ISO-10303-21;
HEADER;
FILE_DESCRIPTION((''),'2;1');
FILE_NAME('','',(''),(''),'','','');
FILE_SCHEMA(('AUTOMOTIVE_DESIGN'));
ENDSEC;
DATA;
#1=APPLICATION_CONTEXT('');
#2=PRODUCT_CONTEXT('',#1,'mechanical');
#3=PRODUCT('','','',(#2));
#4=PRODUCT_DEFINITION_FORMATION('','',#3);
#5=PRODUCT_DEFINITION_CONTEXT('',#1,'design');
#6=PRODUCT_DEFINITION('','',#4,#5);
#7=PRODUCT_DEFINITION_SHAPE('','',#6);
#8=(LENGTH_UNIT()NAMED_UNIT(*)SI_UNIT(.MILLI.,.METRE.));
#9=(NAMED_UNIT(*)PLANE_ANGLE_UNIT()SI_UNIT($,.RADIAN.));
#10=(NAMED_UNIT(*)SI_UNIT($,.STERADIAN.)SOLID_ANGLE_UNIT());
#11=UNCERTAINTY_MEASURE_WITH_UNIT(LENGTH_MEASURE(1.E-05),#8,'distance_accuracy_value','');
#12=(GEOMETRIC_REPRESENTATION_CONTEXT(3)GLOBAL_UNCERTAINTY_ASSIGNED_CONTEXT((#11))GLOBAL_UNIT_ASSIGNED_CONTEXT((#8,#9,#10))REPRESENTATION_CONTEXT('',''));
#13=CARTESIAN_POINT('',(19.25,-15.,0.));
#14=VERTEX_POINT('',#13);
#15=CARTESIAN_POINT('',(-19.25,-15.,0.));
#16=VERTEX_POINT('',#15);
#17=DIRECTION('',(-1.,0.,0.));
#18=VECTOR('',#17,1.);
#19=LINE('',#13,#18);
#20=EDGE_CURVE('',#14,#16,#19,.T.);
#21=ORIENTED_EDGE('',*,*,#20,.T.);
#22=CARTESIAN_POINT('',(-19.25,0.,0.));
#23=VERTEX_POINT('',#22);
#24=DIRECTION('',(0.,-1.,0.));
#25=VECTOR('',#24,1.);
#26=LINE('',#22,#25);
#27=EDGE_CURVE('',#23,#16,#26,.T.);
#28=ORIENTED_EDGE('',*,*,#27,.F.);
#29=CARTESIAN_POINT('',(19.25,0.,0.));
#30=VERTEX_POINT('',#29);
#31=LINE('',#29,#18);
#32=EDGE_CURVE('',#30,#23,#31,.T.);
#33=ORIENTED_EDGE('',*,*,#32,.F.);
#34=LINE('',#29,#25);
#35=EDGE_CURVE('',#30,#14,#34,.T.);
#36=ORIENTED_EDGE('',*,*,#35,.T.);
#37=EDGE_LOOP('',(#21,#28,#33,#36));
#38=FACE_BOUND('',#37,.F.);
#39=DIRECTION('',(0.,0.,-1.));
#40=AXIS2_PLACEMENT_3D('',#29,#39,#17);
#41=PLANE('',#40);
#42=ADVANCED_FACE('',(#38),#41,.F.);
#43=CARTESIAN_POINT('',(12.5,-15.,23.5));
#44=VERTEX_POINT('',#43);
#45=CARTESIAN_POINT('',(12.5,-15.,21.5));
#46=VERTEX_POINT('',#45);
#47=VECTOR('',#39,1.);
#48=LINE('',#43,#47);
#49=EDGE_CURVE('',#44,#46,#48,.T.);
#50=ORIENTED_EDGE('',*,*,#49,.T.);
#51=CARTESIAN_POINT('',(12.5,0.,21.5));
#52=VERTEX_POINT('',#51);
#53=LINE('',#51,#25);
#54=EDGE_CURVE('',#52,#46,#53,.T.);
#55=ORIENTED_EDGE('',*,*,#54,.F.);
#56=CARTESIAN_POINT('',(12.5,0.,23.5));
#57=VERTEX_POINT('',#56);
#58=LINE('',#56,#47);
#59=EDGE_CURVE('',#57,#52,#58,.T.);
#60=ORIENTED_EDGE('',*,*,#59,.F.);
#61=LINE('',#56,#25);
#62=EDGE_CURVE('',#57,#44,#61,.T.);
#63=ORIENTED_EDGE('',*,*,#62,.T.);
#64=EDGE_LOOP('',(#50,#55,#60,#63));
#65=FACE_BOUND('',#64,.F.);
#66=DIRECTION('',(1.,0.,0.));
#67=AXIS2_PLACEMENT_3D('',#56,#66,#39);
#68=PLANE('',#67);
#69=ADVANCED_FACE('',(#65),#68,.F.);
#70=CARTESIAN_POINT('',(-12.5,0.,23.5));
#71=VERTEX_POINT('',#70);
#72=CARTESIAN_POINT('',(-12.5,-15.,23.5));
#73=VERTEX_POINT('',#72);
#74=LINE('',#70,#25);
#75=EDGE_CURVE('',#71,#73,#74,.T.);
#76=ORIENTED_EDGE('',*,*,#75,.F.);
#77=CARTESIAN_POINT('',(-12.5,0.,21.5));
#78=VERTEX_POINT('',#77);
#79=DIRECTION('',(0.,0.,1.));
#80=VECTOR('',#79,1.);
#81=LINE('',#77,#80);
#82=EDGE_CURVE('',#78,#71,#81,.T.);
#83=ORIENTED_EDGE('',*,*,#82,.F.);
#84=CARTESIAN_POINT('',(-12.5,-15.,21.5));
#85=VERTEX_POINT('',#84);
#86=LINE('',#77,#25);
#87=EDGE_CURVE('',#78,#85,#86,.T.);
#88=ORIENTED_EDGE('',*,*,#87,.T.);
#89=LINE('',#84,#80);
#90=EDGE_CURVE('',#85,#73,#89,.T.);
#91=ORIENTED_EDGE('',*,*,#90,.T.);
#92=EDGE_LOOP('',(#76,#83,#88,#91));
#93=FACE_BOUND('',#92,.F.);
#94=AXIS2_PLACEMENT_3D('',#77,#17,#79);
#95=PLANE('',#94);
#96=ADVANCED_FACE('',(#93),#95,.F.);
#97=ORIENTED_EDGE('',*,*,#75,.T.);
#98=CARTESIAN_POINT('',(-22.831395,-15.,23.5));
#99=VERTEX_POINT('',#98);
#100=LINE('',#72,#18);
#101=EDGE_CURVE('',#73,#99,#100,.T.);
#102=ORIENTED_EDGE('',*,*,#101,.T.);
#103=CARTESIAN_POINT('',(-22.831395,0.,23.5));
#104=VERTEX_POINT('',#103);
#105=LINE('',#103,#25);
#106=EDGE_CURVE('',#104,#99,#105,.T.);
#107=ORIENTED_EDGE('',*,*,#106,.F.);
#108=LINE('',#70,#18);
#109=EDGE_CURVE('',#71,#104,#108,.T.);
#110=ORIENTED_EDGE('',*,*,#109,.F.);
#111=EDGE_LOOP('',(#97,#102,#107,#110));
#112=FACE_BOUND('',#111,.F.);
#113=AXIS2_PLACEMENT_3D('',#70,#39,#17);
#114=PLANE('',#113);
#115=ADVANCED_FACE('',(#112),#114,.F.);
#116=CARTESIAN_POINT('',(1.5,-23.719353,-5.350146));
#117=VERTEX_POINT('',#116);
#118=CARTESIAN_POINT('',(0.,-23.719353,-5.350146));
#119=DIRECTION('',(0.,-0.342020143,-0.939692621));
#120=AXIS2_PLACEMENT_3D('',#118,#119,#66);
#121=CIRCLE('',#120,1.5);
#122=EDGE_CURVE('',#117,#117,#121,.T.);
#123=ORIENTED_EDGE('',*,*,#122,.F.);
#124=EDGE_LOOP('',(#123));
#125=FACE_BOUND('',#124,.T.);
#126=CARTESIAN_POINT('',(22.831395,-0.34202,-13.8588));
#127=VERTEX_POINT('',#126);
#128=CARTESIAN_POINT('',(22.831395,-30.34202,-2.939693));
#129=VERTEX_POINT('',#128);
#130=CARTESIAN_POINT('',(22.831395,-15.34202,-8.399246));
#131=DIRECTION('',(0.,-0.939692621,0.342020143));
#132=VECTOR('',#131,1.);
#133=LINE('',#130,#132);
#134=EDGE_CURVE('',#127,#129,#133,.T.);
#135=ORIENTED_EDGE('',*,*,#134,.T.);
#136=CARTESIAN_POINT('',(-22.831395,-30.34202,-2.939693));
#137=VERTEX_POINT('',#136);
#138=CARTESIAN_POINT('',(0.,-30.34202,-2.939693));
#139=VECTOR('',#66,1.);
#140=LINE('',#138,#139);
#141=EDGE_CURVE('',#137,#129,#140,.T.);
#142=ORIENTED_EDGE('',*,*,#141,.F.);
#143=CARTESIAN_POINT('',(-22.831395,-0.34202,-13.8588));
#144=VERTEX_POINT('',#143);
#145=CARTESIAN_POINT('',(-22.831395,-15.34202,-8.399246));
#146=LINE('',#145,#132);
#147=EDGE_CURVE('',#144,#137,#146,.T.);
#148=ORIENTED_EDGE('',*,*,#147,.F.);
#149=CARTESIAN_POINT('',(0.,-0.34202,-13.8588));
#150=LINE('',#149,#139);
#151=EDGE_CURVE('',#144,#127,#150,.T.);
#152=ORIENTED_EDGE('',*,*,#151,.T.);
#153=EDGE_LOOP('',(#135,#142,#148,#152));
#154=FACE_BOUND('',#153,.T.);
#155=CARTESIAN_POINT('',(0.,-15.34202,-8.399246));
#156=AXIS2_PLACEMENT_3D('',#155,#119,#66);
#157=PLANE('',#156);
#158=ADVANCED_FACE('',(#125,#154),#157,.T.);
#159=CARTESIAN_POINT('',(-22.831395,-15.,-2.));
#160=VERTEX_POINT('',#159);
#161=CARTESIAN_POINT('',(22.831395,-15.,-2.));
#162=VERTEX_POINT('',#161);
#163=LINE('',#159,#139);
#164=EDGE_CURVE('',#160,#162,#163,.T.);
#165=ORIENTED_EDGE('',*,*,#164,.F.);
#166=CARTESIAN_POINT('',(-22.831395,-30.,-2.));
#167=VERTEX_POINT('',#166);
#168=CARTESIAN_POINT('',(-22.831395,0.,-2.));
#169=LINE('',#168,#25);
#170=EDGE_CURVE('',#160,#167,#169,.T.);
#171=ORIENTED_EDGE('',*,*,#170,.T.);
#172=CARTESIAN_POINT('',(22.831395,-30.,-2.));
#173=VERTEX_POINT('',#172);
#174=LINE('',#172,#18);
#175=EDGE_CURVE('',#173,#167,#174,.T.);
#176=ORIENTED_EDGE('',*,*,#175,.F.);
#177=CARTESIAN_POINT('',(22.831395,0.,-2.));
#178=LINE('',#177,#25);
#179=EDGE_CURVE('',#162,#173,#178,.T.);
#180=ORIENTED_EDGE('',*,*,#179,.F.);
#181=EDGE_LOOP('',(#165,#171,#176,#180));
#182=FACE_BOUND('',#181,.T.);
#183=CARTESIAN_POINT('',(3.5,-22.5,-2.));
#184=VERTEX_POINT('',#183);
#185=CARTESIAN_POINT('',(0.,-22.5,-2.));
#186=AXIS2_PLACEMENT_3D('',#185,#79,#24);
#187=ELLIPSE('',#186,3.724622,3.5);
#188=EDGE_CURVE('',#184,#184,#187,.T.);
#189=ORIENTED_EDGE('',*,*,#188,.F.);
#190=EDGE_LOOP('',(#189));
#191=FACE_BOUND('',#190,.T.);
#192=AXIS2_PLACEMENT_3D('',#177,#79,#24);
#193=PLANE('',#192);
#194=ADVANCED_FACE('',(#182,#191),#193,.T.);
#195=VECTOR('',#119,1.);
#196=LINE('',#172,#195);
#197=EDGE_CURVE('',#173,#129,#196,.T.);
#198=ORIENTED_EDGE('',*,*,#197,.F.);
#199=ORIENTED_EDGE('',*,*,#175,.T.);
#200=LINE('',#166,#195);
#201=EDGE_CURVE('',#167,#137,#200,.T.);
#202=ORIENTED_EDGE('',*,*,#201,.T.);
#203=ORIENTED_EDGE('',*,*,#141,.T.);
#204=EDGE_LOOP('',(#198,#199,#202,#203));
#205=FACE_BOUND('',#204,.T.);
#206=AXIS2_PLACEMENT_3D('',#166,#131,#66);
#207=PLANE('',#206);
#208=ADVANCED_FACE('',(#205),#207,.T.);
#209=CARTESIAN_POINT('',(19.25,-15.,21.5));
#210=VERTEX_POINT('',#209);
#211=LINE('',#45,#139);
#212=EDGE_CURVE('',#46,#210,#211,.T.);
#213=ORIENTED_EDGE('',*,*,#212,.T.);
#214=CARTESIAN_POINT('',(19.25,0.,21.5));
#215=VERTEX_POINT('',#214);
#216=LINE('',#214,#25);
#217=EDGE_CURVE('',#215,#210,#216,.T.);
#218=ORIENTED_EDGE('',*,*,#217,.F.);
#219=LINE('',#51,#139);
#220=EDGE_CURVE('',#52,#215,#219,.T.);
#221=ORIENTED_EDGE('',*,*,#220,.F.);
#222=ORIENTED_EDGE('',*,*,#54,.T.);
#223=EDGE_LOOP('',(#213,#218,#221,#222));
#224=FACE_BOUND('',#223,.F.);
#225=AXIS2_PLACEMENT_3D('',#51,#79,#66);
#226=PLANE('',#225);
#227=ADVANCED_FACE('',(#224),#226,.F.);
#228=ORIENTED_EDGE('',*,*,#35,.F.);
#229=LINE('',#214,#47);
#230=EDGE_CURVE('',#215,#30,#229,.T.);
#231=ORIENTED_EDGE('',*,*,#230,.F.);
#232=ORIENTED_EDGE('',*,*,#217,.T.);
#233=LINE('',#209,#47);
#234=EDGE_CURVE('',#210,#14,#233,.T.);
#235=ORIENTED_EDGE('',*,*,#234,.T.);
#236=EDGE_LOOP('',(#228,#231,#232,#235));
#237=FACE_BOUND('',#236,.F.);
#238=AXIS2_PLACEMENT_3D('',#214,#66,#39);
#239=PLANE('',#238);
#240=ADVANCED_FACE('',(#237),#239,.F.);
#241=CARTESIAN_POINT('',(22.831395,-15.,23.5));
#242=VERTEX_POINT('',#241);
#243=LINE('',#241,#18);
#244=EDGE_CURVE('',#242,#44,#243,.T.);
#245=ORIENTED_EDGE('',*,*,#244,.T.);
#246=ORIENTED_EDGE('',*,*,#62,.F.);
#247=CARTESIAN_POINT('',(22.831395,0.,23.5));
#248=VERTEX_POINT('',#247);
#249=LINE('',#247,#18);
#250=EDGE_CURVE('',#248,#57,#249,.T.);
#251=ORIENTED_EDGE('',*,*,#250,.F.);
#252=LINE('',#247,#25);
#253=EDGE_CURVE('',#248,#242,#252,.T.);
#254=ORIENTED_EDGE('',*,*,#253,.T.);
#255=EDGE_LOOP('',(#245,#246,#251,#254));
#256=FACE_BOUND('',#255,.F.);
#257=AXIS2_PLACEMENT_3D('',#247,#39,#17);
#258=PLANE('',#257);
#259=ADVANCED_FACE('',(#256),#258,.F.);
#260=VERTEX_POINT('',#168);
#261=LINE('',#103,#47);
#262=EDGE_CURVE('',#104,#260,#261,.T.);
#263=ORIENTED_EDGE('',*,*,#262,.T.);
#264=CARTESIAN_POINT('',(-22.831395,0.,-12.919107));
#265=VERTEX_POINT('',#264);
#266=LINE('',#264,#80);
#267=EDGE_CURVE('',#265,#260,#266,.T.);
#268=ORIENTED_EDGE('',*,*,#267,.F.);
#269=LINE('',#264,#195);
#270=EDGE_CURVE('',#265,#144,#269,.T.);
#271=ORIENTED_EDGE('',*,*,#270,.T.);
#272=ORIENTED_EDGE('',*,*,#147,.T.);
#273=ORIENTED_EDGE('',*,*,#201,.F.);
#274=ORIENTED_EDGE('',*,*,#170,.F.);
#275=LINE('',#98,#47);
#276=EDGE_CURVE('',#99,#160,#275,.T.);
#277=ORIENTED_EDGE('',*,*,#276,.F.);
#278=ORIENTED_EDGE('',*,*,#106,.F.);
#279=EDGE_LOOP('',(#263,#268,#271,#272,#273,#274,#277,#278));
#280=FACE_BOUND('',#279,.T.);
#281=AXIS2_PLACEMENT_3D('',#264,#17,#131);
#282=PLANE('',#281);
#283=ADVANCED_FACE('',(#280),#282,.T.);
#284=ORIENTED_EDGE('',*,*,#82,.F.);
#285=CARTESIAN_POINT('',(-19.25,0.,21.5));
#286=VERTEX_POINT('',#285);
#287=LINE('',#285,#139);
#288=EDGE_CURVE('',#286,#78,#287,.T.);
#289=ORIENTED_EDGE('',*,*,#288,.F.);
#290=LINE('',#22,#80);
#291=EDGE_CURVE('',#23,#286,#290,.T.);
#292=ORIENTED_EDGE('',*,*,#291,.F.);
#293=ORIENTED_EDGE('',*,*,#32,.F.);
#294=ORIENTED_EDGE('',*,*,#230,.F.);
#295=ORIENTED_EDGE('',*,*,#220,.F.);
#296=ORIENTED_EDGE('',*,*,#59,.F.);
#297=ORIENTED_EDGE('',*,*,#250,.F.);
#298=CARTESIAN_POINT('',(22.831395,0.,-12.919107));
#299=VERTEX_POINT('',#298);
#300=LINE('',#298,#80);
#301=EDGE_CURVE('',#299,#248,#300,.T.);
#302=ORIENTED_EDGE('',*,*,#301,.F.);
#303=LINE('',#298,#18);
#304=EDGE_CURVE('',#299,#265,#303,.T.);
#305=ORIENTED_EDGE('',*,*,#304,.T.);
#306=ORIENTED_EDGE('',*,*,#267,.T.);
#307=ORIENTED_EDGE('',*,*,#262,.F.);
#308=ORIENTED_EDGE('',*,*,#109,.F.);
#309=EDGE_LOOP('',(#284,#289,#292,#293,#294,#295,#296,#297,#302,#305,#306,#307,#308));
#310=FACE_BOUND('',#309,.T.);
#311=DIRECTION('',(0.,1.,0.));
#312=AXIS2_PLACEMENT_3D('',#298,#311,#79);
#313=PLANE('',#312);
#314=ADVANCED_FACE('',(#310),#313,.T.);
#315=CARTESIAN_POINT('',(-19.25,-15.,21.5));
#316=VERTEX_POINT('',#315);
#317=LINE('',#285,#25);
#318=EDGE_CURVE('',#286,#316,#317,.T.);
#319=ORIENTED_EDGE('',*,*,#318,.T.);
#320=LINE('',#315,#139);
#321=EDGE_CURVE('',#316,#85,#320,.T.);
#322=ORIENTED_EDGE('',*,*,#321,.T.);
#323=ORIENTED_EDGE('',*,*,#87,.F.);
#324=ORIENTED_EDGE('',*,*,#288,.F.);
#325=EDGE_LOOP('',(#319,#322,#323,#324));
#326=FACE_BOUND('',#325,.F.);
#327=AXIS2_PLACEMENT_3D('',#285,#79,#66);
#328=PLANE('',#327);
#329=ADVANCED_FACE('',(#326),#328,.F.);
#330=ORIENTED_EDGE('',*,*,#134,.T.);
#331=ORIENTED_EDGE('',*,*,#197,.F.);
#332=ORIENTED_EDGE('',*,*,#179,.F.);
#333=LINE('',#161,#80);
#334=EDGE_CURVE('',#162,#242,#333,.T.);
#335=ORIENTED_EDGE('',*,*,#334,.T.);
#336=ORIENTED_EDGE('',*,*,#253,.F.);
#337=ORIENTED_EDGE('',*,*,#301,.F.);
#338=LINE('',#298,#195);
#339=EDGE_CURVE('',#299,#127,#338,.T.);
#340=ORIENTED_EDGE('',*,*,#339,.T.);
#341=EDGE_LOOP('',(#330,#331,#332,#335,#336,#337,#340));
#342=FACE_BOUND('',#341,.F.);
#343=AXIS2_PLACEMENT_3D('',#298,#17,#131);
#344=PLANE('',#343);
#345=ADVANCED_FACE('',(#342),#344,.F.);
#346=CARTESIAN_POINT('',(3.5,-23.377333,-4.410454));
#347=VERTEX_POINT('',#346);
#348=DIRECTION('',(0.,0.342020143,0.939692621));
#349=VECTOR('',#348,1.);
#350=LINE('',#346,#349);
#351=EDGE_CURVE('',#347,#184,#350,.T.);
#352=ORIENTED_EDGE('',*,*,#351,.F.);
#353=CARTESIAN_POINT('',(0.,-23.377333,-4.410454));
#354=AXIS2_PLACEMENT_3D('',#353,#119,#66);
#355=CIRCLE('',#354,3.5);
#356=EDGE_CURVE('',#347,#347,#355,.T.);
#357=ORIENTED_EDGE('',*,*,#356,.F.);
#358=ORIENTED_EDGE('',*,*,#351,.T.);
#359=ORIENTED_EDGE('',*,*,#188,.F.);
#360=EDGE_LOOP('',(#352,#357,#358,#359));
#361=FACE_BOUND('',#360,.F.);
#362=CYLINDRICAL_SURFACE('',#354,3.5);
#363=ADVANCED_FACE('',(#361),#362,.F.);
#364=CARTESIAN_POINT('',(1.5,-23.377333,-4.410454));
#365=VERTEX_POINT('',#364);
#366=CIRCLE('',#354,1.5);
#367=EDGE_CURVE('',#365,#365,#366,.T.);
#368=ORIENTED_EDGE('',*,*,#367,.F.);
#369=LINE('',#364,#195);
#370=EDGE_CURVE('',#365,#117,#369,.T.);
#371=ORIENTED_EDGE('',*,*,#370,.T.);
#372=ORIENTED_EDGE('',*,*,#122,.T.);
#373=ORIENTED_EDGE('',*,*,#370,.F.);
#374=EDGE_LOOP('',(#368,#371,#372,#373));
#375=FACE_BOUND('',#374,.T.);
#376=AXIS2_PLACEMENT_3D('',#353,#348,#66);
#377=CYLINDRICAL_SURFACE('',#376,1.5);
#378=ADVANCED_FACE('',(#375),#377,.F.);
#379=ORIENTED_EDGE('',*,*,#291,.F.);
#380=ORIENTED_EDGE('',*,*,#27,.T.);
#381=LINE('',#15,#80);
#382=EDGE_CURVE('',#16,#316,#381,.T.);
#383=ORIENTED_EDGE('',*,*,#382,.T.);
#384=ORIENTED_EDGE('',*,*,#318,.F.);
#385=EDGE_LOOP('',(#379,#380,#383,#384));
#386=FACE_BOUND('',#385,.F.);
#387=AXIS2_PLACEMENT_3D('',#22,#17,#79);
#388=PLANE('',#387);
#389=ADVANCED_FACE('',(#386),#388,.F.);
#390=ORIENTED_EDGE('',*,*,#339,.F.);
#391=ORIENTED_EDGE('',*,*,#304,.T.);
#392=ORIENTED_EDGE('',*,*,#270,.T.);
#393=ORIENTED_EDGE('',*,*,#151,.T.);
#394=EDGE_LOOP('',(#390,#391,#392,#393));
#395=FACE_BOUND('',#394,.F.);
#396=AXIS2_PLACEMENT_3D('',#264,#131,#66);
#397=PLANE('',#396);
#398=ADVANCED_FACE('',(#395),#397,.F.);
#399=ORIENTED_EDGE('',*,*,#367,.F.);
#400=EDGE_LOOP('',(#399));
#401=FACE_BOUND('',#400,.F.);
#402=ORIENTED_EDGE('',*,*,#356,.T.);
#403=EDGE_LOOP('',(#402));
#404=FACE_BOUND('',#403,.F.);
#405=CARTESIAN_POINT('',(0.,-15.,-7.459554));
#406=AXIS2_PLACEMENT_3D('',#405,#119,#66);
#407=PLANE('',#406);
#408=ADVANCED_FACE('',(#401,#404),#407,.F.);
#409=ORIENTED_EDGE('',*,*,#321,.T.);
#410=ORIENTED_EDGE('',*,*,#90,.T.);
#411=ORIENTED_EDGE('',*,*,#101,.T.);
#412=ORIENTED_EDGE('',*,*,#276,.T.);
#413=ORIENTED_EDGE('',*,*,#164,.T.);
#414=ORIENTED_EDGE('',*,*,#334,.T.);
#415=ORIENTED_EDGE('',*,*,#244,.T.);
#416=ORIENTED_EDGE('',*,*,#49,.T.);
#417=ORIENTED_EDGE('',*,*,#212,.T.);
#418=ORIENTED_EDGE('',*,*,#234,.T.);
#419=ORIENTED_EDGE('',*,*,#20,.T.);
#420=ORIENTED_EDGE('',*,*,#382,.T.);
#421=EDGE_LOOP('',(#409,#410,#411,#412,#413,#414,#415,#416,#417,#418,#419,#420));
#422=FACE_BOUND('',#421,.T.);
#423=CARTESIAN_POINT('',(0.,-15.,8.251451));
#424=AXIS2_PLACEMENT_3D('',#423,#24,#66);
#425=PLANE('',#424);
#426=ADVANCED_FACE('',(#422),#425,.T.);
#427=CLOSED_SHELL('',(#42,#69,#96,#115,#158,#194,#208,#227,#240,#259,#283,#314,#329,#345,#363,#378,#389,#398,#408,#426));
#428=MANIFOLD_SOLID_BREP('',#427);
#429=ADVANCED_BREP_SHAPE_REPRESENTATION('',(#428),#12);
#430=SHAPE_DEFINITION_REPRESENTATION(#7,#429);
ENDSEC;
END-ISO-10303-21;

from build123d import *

# Parameters (mm, degrees)
F1_DEPTH = 15
F3_DEPTH = 45.6627906977
F4_R     = 3.5
F5_DEPTH = 3.8400468949
F6_W     = 45.6627906977
F6_H     = 31.9253331743
F6_R     = 3.5
F6_R_2   = 1.5
F7_DEPTH = 1


with BuildPart() as f1:
    # F0 (on Front) → F1 (new body)
    with BuildSketch(Plane.XZ):
        Polygon((19.25, 0), (-19.25, 0), (-19.25, 21.5), (-12.5, 21.5), (-12.5, 23.5), (-22.8313953488, 23.5), (-22.8313953488, -2), (22.8313953488, -2), (22.8313953488, 23.5), (12.5, 23.5), (12.5, 21.5), (19.25, 21.5), align=None)
    extrude(amount=F1_DEPTH)

    # F2 (on face) → F3 (join, through all)
    with BuildSketch(Plane.YZ.offset(22.8313953488)):
        Polygon((0, -2), (-30, -2), (0, -12.919107028), align=None)
    extrude(amount=-F3_DEPTH)

    # F4 (on face) → F5 (cut, through all)
    with BuildSketch(Plane(origin=(0, -4.1521209629, -11.4078585884), x_dir=(1, 0, 0), z_dir=(0, -0.3420201433, -0.9396926208))):
        with Locations((0, 20.459043681)):
            Circle(F4_R)
    extrude(amount=-F5_DEPTH, mode=Mode.SUBTRACT)

    # F6 (on face) → F7 (join)
    with BuildSketch(Plane(origin=(0, -4.1521209629, -11.4078585884), x_dir=(1, 0, 0), z_dir=(0, -0.3420201433, -0.9396926208))):
        with Locations((0, 11.5440717498)):
            Rectangle(F6_W, F6_H)
        with Locations((0, 20.459043681)):
            Circle(F6_R, mode=Mode.SUBTRACT)
        with Locations((0, 20.459043681)):
            Circle(F6_R)
        with Locations((0, 20.459043681)):
            Circle(F6_R_2, mode=Mode.SUBTRACT)
    extrude(amount=F7_DEPTH)


solid = f1.part
